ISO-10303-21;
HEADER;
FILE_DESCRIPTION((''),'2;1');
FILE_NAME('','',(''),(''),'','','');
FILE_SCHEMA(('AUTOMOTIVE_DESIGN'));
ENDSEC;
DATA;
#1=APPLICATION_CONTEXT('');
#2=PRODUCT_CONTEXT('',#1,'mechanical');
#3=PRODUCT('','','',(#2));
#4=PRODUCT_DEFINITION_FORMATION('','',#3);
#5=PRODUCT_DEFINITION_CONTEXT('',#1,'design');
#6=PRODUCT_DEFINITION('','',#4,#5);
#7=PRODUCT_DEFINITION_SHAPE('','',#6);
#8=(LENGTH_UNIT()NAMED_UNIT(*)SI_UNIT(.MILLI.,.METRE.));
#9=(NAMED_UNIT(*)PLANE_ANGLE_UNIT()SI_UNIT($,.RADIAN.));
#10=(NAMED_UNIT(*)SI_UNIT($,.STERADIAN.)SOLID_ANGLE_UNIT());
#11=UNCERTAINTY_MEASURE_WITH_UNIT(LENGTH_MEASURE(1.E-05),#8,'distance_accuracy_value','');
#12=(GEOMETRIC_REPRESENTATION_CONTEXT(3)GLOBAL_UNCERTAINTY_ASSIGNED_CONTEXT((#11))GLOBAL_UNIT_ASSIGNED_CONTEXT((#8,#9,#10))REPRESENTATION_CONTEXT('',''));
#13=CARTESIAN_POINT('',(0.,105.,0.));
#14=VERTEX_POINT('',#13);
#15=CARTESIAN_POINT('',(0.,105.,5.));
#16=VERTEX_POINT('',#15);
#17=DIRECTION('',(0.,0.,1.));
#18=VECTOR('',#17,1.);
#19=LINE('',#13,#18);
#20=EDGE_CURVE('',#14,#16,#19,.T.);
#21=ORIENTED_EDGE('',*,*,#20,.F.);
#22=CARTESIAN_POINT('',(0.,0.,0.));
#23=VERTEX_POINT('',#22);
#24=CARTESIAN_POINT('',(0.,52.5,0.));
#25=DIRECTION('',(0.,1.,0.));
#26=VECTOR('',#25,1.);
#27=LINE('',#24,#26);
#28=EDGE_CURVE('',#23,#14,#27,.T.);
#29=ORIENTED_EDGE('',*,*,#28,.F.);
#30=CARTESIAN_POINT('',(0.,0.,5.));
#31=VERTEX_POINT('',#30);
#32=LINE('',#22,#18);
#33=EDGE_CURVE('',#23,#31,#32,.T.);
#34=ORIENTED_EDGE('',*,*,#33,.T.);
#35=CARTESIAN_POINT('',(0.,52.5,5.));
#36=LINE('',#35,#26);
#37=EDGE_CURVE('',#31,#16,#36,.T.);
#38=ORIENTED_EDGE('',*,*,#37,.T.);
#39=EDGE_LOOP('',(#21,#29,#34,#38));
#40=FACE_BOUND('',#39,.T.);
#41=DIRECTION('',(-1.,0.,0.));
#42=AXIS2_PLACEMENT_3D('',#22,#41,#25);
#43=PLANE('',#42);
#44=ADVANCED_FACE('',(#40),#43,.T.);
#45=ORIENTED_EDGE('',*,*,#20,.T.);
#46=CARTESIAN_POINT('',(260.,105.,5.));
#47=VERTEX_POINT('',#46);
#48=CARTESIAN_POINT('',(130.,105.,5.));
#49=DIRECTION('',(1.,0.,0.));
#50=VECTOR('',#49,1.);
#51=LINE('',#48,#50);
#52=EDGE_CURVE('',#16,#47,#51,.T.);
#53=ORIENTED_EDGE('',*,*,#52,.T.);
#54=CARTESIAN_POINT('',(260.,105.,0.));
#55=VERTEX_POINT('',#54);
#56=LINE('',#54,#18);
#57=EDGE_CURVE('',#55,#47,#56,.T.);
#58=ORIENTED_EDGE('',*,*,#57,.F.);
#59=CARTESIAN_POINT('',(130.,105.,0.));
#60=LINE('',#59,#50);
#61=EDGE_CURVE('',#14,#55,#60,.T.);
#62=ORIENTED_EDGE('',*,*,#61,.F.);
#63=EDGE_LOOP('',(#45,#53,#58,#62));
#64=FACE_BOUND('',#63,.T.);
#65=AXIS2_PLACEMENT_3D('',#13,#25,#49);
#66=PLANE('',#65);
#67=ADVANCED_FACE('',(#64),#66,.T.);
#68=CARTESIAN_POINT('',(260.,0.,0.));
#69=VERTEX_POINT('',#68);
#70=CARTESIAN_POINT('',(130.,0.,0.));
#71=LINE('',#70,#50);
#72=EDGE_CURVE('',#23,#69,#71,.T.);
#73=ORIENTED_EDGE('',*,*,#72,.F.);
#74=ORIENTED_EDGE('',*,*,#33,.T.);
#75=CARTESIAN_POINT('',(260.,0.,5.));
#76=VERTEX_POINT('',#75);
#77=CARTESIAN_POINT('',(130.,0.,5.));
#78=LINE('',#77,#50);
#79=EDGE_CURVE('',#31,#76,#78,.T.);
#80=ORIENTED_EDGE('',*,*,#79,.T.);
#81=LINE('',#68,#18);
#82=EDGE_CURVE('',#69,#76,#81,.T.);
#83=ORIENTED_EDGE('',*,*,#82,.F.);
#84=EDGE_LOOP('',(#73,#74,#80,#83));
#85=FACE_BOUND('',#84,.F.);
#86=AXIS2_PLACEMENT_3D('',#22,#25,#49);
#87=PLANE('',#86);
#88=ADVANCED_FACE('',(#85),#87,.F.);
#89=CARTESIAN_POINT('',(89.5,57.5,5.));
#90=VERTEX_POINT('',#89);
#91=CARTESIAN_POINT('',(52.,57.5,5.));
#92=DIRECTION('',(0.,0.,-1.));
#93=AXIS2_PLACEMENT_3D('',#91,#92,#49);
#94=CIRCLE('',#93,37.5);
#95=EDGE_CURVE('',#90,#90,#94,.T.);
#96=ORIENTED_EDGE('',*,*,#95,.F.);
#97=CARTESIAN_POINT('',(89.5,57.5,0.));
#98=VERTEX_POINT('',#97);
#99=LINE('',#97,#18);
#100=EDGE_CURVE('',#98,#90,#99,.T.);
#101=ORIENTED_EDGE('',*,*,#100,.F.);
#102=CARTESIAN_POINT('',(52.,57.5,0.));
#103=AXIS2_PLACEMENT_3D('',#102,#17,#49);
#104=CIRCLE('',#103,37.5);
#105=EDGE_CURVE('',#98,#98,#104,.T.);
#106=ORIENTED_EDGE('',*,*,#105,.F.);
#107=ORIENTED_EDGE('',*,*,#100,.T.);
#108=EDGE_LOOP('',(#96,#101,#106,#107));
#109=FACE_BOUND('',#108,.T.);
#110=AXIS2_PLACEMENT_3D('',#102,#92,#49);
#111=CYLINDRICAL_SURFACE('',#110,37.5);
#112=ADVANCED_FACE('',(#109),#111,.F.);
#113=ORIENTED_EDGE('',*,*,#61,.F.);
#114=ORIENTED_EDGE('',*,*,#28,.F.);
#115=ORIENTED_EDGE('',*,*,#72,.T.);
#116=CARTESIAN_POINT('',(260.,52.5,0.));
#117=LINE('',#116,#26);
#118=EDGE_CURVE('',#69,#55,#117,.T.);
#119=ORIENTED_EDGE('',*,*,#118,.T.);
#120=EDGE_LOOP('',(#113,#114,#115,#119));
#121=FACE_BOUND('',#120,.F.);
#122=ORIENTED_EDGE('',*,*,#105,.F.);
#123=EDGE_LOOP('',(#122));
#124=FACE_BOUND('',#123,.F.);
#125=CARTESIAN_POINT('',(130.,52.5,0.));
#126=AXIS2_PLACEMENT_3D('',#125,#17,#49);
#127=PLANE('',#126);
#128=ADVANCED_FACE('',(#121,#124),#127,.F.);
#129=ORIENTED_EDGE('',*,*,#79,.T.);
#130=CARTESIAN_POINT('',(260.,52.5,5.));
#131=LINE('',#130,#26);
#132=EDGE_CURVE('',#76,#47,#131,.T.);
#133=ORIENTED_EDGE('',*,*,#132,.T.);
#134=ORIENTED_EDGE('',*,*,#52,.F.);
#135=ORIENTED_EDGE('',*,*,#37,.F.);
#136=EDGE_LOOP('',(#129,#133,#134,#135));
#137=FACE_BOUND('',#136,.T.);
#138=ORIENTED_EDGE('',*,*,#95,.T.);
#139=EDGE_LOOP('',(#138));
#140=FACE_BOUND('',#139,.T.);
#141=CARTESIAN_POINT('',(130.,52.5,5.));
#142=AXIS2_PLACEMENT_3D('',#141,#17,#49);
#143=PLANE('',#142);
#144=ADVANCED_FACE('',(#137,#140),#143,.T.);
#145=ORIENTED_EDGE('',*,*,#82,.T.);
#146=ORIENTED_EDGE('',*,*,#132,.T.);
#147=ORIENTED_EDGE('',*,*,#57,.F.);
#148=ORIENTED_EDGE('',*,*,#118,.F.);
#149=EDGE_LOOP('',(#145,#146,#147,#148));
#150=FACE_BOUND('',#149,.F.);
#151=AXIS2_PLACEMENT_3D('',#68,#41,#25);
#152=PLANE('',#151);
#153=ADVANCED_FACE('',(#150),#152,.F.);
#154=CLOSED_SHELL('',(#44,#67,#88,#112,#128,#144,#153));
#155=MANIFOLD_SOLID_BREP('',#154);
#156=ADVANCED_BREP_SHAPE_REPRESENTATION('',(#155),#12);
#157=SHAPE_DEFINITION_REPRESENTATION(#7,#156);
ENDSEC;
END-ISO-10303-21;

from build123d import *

# Parameters (mm, degrees)
F0_W     = 260
F0_H     = 105
F1_DEPTH = 5
F2_R     = 37.5
F3_DEPTH = 5.001


with BuildPart() as f1:
    # F0 (on Top) → F1 (new body)
    with BuildSketch(Plane.XY):
        with Locations((130, 52.5)):
            Rectangle(F0_W, F0_H)
    extrude(amount=F1_DEPTH)

    # F2 (on Top) → F3 (cut, through all)
    with BuildSketch(Plane.XY):
        with Locations((52, 57.5)):
            Circle(F2_R)
    extrude(amount=F3_DEPTH, mode=Mode.SUBTRACT)


solid = f1.part
